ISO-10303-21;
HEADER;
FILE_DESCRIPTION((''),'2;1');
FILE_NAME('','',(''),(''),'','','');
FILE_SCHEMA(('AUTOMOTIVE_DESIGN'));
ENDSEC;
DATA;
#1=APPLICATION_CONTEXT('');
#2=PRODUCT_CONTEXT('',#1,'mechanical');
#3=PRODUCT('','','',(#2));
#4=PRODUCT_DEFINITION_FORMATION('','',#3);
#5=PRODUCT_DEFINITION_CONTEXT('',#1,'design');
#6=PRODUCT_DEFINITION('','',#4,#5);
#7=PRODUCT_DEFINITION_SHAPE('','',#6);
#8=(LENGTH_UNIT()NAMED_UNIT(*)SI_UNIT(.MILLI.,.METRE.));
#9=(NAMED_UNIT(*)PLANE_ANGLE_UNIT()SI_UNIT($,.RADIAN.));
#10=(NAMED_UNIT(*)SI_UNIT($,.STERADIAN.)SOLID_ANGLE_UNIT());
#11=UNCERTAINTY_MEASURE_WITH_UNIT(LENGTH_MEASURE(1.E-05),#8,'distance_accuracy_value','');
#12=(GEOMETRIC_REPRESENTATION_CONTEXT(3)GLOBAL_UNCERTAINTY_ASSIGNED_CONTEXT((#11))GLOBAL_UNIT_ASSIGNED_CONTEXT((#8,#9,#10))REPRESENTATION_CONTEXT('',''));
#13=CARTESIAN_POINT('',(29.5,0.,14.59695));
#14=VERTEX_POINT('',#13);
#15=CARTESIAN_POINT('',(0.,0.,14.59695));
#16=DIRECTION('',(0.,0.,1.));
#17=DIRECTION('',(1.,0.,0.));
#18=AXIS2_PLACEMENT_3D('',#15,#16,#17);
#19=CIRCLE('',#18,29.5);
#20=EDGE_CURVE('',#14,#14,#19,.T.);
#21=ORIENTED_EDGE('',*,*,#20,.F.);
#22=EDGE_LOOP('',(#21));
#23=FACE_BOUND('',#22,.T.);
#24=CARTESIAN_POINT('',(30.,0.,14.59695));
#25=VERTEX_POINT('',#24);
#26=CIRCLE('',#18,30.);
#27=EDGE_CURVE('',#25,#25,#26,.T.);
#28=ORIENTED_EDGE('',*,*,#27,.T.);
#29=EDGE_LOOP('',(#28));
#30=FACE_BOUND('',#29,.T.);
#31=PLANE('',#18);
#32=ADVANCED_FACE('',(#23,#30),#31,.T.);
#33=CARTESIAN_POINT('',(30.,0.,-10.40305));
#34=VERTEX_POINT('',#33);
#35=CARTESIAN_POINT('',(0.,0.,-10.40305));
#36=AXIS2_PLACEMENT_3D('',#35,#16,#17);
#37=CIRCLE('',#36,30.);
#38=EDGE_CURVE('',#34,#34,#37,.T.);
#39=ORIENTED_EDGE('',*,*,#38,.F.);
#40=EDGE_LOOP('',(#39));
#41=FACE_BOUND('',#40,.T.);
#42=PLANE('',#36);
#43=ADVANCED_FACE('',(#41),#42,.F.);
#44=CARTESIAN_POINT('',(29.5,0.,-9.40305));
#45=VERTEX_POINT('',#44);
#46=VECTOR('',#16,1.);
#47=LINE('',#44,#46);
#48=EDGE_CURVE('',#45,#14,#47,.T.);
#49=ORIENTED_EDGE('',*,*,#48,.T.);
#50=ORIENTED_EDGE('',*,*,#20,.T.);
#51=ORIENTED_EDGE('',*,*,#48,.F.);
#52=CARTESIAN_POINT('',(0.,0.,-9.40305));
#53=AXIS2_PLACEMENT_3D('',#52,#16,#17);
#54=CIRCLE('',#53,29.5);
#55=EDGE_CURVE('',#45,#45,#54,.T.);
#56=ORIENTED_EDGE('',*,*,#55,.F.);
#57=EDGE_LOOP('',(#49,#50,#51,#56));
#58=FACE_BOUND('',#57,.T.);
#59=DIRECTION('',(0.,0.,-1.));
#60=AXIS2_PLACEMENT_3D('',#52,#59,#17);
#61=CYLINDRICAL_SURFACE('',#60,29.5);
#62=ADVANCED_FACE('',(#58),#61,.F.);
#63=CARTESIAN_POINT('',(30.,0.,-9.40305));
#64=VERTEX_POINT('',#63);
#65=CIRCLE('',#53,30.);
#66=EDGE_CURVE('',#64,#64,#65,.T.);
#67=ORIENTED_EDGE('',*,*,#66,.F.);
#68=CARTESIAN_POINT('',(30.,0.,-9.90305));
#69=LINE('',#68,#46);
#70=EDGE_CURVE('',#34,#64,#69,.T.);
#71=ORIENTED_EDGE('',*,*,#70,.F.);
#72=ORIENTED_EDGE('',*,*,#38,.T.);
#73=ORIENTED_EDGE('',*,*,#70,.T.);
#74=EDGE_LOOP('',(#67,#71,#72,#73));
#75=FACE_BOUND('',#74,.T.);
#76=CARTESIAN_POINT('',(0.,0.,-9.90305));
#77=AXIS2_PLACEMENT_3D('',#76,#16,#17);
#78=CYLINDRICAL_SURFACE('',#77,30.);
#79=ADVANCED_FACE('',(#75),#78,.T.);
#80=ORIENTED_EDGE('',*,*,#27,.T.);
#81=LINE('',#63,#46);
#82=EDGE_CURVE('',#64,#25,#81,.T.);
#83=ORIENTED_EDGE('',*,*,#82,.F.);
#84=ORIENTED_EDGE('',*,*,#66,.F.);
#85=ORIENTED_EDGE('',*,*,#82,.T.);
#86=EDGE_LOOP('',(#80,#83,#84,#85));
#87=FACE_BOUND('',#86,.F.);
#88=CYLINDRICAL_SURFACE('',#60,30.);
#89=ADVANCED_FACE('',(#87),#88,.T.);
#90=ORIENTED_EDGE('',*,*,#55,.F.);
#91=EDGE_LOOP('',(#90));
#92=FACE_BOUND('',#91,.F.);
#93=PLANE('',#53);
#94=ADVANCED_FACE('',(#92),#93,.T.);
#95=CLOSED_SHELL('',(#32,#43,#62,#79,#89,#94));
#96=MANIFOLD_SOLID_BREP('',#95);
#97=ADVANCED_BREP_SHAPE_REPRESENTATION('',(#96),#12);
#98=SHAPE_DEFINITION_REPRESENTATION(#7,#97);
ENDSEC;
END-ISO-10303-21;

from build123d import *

# Parameters (mm, degrees)
F0_W     = 30
F0_H     = 1
F2_R     = 30
F2_R_2   = 29.5
F3_DEPTH = 24


with BuildPart() as f1:
    # F0 (on Front) → F1 (revolve)
    with BuildSketch(Plane.XZ):
        with Locations((15, -9.90305)):
            Rectangle(F0_W, F0_H)
    revolve(axis=Axis((0, 0, 2.09695), (0, 0, 1)))

    # F2 (on face) → F3 (join)
    with BuildSketch(Plane.XY.offset(-9.40305)):
        Circle(F2_R)
        Circle(F2_R_2, mode=Mode.SUBTRACT)
    extrude(amount=F3_DEPTH)


solid = f1.part
